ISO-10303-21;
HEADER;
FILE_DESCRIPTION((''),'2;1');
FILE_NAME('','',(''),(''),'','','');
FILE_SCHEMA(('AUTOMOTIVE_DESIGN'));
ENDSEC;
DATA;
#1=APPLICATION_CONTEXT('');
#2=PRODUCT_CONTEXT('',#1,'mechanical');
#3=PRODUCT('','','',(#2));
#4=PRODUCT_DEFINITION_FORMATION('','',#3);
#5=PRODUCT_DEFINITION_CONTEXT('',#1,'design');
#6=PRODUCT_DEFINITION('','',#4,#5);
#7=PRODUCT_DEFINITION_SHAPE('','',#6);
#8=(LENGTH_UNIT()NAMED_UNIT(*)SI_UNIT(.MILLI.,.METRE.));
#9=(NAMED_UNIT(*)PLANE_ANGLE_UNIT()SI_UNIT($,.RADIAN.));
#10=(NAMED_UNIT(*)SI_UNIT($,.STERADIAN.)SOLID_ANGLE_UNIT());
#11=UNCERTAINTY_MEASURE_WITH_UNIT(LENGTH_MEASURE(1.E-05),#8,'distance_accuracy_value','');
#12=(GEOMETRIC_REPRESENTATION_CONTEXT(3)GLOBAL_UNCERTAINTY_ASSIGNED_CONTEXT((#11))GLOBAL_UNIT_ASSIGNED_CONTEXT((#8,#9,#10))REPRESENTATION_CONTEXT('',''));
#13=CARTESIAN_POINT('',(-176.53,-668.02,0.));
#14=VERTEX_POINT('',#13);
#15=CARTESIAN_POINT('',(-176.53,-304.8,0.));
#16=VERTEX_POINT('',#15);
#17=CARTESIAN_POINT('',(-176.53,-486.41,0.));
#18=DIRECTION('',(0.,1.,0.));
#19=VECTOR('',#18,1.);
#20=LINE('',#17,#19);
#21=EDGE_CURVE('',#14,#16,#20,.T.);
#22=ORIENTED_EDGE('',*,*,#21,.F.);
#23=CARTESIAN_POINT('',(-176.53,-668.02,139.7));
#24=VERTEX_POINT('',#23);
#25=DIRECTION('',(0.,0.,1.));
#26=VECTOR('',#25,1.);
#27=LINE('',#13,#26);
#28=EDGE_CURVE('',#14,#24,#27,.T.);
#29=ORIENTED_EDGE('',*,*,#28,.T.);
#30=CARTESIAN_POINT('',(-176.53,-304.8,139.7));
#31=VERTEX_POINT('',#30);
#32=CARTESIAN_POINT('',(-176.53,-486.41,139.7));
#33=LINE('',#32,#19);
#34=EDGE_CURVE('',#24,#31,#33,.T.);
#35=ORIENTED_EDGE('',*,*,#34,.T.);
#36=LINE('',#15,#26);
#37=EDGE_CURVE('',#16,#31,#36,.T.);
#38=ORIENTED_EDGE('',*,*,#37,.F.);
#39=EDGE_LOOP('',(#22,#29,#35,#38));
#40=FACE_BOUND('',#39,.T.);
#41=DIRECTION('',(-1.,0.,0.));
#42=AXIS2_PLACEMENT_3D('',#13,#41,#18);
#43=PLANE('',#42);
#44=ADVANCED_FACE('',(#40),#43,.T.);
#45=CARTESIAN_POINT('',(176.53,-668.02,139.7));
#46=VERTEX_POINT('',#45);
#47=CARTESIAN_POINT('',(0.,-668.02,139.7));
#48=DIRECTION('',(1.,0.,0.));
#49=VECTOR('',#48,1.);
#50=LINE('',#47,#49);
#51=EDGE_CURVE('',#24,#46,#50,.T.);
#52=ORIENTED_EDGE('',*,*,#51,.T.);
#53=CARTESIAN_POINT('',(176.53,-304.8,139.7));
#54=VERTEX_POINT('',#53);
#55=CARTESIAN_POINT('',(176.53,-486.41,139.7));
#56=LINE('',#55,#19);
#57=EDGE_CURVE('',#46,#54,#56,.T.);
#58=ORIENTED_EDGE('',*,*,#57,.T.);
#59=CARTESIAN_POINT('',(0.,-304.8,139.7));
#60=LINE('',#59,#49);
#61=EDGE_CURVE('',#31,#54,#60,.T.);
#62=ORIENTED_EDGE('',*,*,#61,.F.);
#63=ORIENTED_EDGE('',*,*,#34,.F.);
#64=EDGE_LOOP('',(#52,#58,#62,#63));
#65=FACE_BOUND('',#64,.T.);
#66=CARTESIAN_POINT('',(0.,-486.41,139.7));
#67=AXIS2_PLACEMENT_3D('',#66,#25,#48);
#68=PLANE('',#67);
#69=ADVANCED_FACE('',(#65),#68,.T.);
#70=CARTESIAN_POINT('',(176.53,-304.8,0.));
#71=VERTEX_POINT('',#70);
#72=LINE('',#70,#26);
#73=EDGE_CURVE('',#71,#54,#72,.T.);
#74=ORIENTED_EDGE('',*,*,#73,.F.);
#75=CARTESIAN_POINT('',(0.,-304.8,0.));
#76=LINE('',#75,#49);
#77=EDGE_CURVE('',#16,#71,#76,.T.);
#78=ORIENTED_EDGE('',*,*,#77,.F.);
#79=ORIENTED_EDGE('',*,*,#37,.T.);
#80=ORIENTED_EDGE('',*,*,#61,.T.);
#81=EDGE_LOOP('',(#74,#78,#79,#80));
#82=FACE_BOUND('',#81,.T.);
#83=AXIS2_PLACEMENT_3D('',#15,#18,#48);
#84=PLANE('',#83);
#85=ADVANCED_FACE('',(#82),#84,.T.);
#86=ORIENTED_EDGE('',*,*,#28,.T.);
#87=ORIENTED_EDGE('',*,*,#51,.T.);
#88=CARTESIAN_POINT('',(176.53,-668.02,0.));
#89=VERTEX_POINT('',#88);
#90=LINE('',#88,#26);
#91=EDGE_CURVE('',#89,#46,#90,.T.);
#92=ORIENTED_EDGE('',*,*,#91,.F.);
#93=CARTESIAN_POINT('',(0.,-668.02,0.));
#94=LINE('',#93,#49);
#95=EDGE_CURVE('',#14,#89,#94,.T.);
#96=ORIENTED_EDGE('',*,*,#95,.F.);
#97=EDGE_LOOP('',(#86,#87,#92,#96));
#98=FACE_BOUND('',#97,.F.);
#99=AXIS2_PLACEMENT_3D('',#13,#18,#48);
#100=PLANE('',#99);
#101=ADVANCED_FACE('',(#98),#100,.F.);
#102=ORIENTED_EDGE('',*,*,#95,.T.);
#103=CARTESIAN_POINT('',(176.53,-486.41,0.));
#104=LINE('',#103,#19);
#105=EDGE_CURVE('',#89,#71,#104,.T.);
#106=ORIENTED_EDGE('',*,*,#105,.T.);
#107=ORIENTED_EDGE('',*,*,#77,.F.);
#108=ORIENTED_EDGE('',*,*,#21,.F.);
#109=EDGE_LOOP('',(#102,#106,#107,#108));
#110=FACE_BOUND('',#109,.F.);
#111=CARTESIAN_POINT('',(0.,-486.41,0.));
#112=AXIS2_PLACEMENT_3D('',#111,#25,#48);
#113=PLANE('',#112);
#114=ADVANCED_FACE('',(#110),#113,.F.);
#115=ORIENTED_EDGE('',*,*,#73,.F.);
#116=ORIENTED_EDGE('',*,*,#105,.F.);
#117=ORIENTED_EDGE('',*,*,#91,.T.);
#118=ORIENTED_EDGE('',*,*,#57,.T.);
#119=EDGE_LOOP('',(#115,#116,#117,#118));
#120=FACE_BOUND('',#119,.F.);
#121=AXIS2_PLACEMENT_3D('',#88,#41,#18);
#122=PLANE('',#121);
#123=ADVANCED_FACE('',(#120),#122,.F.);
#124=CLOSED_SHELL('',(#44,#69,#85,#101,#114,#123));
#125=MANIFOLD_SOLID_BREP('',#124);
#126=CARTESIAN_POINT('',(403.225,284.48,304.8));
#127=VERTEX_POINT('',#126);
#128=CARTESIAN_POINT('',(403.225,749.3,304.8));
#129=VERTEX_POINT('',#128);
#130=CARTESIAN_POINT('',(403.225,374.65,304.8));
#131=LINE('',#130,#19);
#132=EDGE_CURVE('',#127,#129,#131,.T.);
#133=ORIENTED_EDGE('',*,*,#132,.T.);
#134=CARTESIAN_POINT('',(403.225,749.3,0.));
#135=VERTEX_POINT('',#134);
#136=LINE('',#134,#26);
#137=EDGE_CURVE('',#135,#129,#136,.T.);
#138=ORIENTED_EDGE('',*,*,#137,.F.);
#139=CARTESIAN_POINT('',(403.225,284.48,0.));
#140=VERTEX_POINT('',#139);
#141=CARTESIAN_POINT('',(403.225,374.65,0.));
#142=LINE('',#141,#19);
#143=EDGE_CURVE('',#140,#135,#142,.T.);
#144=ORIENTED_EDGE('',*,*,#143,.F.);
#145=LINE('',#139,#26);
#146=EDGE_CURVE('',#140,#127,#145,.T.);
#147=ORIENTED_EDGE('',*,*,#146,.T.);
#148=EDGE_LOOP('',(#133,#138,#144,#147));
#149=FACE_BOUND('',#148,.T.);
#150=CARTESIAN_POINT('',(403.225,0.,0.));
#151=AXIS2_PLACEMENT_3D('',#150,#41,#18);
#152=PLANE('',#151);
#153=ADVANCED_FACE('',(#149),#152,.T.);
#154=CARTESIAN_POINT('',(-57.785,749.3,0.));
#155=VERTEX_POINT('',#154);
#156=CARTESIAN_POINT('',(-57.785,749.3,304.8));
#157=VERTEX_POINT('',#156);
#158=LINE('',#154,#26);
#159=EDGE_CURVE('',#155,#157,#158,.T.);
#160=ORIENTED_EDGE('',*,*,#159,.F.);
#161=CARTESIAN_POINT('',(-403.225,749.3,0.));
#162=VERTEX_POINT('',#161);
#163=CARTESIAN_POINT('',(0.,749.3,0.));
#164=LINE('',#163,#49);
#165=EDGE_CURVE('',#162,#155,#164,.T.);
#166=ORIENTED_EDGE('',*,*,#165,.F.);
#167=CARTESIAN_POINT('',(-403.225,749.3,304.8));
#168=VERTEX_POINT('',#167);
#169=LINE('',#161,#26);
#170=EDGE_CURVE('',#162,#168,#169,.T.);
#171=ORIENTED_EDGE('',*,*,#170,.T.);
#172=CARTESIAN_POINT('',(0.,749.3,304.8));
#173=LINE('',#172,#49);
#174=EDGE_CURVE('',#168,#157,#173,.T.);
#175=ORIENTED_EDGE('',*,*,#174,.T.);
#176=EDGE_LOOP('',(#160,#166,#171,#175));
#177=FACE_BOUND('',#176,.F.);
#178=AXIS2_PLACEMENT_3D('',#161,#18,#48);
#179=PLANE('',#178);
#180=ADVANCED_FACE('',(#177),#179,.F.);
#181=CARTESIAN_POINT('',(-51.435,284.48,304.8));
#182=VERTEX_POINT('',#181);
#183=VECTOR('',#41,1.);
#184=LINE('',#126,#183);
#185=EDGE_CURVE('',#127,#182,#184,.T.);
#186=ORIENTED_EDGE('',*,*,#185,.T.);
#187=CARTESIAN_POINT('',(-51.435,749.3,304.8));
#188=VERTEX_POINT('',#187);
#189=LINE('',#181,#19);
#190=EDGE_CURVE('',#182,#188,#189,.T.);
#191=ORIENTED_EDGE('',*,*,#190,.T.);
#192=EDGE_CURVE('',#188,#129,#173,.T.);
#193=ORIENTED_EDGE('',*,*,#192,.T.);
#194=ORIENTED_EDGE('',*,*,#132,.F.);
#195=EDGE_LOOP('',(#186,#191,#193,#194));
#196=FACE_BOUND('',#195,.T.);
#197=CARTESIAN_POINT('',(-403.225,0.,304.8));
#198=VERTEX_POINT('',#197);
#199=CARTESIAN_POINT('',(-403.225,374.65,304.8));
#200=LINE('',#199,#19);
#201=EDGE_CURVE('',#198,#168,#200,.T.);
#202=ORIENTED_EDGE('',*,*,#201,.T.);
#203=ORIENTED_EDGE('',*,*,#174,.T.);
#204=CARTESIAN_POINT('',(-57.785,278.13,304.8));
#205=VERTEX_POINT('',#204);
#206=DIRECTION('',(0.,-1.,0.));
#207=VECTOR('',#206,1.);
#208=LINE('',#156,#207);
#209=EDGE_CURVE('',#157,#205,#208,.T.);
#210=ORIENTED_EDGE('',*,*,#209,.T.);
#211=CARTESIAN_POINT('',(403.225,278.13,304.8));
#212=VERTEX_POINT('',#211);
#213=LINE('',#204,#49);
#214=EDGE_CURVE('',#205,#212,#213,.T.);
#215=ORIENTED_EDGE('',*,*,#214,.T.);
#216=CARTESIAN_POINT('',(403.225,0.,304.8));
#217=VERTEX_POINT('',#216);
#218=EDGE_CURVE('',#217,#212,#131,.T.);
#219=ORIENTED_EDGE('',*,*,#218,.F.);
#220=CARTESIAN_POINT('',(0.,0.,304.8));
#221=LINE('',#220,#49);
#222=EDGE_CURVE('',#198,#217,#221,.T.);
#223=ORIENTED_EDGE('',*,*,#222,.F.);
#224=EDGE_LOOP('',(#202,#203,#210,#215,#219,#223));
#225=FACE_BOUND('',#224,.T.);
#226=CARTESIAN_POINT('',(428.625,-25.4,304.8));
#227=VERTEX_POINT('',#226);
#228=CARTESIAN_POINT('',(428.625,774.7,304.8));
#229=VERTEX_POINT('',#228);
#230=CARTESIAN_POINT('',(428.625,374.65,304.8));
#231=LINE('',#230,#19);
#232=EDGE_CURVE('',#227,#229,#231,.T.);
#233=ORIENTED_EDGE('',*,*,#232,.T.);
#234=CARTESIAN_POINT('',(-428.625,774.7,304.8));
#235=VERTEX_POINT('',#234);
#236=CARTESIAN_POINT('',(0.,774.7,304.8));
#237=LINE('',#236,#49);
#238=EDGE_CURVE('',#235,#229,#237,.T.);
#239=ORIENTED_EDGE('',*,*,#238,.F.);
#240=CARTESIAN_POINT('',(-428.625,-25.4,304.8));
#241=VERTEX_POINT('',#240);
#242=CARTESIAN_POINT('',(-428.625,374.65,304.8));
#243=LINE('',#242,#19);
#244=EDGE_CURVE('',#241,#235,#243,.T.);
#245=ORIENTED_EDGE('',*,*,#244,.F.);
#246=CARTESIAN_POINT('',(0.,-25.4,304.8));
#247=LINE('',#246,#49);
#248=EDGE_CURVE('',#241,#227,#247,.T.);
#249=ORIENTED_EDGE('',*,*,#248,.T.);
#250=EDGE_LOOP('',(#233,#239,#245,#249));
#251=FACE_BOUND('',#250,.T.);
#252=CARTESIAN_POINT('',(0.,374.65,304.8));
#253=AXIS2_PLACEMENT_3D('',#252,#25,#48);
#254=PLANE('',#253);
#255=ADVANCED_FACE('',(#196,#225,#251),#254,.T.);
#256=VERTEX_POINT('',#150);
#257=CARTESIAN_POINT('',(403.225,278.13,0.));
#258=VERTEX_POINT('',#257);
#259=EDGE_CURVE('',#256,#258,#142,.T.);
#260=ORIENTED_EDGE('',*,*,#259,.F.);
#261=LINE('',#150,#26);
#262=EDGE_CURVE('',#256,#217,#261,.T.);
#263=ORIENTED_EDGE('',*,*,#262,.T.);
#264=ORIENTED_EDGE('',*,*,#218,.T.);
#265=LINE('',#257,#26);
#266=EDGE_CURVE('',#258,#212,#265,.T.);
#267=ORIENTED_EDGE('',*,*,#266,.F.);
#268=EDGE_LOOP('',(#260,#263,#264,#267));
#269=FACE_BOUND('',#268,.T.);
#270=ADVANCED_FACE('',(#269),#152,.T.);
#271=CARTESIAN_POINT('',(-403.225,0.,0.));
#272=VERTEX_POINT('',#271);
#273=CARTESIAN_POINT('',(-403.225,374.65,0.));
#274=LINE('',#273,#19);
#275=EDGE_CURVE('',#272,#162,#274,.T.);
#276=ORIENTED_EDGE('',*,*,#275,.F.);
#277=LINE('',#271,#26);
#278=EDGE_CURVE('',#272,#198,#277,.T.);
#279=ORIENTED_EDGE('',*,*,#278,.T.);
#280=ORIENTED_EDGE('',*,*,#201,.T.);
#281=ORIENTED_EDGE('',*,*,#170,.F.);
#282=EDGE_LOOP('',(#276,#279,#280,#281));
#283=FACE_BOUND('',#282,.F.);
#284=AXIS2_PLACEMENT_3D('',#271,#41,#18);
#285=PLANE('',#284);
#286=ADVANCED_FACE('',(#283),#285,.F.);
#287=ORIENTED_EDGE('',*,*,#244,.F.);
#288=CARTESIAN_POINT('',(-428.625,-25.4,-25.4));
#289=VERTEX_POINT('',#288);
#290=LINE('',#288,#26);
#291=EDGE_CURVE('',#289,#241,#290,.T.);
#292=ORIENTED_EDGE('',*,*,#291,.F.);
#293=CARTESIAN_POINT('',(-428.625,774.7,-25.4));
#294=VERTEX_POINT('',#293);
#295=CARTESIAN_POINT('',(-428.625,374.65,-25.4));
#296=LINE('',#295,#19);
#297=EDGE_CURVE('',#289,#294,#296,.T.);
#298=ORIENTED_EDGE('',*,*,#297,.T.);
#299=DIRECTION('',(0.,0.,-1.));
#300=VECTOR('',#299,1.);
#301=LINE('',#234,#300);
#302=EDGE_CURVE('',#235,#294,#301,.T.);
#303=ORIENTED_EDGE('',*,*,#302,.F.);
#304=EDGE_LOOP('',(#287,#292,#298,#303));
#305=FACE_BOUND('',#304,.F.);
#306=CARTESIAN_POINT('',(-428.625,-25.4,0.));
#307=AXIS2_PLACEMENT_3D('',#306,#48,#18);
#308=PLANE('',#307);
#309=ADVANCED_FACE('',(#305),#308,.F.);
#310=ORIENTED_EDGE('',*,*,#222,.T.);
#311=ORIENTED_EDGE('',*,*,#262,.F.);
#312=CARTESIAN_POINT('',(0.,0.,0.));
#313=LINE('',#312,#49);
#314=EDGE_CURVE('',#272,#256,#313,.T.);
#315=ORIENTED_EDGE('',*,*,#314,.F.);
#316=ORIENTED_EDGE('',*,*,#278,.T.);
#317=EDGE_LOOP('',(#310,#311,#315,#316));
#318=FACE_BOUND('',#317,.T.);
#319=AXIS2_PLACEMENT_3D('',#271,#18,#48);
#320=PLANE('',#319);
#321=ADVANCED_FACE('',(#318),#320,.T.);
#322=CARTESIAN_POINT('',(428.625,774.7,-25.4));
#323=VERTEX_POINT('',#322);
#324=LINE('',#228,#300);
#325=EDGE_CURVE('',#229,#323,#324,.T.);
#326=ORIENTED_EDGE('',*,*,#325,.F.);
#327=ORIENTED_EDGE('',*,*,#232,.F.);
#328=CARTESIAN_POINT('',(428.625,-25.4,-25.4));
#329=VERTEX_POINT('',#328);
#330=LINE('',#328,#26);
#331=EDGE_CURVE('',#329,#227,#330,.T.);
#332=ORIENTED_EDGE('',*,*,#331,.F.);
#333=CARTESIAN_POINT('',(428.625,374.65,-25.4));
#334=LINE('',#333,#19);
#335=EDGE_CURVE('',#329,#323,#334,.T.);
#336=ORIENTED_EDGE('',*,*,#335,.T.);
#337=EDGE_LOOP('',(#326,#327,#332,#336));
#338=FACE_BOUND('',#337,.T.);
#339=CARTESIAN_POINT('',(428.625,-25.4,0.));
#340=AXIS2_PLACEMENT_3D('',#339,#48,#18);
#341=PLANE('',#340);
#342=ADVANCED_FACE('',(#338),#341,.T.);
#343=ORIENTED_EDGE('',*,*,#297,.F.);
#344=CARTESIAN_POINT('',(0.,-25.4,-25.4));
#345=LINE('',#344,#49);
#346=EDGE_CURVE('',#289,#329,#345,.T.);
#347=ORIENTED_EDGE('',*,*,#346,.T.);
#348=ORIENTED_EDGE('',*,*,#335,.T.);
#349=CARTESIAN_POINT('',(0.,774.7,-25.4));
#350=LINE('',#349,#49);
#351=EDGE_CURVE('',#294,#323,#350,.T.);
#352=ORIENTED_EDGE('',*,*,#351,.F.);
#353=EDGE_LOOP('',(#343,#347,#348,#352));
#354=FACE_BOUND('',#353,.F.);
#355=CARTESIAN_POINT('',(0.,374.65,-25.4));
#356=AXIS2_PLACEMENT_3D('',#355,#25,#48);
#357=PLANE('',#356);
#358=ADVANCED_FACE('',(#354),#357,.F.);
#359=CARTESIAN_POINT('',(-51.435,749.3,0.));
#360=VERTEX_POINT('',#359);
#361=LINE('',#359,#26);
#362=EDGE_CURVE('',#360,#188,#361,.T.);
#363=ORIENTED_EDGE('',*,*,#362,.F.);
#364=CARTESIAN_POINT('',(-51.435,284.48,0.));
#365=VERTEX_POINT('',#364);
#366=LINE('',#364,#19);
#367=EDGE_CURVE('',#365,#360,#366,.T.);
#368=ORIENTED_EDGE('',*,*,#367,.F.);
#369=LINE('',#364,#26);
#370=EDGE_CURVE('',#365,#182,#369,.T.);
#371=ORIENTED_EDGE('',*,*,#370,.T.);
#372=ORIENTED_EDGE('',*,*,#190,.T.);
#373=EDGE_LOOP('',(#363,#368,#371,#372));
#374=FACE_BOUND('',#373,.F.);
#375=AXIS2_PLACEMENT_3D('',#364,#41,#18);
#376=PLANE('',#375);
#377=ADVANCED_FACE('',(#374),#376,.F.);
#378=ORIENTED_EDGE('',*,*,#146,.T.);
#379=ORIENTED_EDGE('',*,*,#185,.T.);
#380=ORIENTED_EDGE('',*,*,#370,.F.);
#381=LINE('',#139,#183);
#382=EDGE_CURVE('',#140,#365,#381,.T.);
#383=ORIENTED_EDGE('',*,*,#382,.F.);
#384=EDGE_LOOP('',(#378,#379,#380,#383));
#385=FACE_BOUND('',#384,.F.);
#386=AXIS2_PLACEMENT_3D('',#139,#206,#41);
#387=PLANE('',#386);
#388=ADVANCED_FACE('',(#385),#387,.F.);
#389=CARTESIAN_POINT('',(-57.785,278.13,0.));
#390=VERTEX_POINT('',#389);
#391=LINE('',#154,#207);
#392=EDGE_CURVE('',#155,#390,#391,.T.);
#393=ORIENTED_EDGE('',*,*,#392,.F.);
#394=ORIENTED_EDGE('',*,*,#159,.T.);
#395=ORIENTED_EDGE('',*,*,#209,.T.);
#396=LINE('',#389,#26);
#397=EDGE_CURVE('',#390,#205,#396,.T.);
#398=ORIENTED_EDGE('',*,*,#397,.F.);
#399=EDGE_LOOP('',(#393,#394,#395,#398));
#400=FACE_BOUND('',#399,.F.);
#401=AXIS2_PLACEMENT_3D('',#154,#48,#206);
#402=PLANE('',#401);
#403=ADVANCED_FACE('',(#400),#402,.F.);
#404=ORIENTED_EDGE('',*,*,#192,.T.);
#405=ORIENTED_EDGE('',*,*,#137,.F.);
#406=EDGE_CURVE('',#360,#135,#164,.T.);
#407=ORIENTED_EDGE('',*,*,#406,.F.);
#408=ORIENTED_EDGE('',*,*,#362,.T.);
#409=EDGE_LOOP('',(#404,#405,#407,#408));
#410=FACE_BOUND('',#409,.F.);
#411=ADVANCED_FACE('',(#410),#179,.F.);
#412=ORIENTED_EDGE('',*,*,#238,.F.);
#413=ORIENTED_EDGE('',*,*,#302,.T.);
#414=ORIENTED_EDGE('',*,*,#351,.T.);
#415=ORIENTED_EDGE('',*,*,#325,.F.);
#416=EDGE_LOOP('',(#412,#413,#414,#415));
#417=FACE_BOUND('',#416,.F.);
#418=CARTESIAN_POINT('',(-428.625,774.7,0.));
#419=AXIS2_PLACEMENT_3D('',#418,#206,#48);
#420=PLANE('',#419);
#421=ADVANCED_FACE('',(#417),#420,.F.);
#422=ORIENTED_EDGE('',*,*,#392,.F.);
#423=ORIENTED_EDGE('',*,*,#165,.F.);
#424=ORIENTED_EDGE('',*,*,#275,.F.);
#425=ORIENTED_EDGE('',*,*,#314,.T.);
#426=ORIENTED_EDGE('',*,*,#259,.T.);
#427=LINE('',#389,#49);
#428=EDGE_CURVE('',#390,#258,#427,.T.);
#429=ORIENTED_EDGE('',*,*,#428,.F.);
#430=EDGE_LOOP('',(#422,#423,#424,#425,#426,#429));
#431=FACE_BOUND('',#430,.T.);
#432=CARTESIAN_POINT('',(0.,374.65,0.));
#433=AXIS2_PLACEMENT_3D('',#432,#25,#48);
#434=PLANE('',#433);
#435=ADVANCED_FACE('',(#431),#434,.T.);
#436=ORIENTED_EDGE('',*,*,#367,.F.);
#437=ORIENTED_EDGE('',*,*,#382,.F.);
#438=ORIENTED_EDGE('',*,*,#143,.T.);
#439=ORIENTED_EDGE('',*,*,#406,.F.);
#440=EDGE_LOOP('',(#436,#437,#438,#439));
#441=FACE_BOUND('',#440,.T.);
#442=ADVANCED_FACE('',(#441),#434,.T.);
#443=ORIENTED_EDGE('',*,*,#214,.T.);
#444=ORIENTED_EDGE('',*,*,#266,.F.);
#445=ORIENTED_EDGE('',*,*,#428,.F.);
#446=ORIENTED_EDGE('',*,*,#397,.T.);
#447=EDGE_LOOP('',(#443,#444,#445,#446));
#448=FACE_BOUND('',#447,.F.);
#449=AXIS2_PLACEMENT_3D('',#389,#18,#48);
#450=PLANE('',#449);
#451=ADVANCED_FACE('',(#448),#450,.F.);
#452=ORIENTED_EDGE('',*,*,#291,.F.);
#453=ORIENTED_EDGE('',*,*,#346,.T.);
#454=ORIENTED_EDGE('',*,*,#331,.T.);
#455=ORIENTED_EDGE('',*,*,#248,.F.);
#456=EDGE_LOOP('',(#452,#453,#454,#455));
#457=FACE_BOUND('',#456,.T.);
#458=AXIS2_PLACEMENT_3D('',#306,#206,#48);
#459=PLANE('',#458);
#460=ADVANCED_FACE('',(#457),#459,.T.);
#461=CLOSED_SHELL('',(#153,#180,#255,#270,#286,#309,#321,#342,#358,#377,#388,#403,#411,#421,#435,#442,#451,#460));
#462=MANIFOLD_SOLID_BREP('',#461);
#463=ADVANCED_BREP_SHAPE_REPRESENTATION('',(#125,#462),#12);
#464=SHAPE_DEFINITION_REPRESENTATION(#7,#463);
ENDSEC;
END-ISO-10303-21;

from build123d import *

# Parameters (mm, degrees)
F0_W     = 857.25
F0_H     = 800.1
F0_W_2   = 806.45
F0_H_2   = 749.3
F1_DEPTH = 304.8
F2_DEPTH = 25.4
F3_W     = 353.06
F3_H     = 363.22
F4_DEPTH = 139.7
F6_DEPTH = 304.8


with BuildPart() as f1:
    # F0 (on Top) → F1 (new body)
    with BuildSketch(Plane.XY):
        with Locations((0, 374.65)):
            Rectangle(F0_W, F0_H)
        with Locations((0, 374.65)):
            Rectangle(F0_W_2, F0_H_2, mode=Mode.SUBTRACT)
    extrude(amount=F1_DEPTH)

    # F0 (on Top) → F2 (join)
    with BuildSketch(Plane.XY):
        with Locations((0, 374.65)):
            Rectangle(F0_W, F0_H)
        with Locations((0, 374.65)):
            Rectangle(F0_W_2, F0_H_2, mode=Mode.SUBTRACT)
        with Locations((0, 374.65)):
            Rectangle(F0_W_2, F0_H_2)
    extrude(amount=-F2_DEPTH)

    # F5 (on face) → F6 (join, through all)
    with BuildSketch(Plane.XY):
        Polygon((-51.435, 278.13), (403.225, 278.13), (403.225, 284.48), (-51.435, 284.48), (-51.435, 749.3), (-57.785, 749.3), (-57.785, 284.48), (-57.785, 278.13), align=None)
    extrude(amount=F6_DEPTH)


with BuildPart() as f4:
    # F3 (on Top) → F4 (new body)
    with BuildSketch(Plane.XY):
        with Locations((0, -486.41)):
            Rectangle(F3_W, F3_H)
    extrude(amount=F4_DEPTH)


solid = Compound([f1.part, f4.part])
